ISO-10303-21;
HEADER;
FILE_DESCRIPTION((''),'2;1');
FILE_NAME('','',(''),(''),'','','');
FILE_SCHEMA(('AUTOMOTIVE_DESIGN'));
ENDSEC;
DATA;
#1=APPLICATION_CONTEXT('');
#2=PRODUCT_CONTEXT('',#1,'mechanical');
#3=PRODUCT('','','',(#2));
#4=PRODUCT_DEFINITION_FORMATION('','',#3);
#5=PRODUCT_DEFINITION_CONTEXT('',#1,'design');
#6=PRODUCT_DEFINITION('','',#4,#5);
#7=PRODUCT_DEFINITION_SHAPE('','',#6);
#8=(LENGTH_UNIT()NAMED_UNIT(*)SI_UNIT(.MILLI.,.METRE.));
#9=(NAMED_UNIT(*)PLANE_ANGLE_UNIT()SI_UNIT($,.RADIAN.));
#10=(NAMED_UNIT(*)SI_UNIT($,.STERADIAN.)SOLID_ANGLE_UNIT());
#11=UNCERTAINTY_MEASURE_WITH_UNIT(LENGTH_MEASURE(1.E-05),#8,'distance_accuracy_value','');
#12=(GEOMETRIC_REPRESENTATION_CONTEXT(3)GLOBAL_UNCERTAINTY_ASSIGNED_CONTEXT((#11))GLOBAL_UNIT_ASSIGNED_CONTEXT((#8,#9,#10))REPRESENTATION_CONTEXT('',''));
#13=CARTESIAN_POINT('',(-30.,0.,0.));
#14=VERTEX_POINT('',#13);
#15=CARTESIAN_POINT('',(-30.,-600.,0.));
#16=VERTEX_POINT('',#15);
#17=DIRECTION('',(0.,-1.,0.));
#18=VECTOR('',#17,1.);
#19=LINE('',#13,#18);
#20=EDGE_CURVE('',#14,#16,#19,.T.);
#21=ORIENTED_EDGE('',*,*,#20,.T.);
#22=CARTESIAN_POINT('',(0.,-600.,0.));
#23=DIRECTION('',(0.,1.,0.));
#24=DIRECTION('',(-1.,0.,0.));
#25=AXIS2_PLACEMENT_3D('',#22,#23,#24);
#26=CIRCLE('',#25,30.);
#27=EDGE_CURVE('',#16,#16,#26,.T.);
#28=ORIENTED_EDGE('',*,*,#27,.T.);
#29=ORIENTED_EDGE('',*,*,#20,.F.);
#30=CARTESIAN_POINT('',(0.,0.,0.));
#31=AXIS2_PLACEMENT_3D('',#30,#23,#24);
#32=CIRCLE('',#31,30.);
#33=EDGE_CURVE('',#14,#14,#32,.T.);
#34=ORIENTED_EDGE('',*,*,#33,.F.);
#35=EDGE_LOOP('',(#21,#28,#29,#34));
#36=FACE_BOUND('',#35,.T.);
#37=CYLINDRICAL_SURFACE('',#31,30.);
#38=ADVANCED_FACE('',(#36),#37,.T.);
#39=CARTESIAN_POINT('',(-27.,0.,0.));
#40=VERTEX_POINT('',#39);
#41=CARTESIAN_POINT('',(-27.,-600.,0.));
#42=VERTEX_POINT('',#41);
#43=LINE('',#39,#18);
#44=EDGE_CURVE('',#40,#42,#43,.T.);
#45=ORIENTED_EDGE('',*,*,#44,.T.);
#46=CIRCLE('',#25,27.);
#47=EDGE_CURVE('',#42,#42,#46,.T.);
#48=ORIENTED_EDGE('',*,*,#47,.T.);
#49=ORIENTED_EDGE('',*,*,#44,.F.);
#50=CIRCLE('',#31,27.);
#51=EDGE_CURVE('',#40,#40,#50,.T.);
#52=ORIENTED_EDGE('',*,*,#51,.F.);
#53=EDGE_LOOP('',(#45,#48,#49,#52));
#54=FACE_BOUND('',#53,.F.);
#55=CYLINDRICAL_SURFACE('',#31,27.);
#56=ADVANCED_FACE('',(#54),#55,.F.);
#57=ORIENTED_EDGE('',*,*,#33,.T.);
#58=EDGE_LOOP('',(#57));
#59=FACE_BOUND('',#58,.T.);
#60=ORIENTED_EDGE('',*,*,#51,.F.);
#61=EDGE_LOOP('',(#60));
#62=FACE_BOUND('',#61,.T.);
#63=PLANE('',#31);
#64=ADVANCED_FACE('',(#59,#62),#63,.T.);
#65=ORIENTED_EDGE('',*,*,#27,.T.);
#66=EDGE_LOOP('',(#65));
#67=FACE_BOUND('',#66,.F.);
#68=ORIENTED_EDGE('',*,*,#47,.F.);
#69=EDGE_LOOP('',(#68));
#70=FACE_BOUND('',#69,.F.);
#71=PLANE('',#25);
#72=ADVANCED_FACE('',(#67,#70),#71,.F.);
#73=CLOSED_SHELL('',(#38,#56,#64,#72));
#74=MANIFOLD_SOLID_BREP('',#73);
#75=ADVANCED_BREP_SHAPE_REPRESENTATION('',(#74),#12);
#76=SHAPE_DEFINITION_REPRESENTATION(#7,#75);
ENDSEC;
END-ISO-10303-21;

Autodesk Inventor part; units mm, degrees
ref_plane "YZ Plane" through (0, 0, 0) normal (1, 0, 0) x (0, 1, 0)
ref_plane "XZ Plane" through (0, 0, 0) normal (0, 1, 0) x (-1, 0, 0)
ref_plane "XY Plane" through (0, 0, 0) normal (0, 0, 1) x (1, 0, 0)
sketch "Sketch1" plane through (0, 0, 0) normal (0, 1, 0) x (-1, 0, 0)
  circle A0 centre (0, 0) radius 30
  circle A1 centre (0, 0) radius 27
  dimension "d0" = 60
  dimension "d1" = 3
extrude "Extrusion1" add sketch "Sketch1" against normal blind 600
properties part number "PNS 1773 FDS tube 8" material "Steel"
